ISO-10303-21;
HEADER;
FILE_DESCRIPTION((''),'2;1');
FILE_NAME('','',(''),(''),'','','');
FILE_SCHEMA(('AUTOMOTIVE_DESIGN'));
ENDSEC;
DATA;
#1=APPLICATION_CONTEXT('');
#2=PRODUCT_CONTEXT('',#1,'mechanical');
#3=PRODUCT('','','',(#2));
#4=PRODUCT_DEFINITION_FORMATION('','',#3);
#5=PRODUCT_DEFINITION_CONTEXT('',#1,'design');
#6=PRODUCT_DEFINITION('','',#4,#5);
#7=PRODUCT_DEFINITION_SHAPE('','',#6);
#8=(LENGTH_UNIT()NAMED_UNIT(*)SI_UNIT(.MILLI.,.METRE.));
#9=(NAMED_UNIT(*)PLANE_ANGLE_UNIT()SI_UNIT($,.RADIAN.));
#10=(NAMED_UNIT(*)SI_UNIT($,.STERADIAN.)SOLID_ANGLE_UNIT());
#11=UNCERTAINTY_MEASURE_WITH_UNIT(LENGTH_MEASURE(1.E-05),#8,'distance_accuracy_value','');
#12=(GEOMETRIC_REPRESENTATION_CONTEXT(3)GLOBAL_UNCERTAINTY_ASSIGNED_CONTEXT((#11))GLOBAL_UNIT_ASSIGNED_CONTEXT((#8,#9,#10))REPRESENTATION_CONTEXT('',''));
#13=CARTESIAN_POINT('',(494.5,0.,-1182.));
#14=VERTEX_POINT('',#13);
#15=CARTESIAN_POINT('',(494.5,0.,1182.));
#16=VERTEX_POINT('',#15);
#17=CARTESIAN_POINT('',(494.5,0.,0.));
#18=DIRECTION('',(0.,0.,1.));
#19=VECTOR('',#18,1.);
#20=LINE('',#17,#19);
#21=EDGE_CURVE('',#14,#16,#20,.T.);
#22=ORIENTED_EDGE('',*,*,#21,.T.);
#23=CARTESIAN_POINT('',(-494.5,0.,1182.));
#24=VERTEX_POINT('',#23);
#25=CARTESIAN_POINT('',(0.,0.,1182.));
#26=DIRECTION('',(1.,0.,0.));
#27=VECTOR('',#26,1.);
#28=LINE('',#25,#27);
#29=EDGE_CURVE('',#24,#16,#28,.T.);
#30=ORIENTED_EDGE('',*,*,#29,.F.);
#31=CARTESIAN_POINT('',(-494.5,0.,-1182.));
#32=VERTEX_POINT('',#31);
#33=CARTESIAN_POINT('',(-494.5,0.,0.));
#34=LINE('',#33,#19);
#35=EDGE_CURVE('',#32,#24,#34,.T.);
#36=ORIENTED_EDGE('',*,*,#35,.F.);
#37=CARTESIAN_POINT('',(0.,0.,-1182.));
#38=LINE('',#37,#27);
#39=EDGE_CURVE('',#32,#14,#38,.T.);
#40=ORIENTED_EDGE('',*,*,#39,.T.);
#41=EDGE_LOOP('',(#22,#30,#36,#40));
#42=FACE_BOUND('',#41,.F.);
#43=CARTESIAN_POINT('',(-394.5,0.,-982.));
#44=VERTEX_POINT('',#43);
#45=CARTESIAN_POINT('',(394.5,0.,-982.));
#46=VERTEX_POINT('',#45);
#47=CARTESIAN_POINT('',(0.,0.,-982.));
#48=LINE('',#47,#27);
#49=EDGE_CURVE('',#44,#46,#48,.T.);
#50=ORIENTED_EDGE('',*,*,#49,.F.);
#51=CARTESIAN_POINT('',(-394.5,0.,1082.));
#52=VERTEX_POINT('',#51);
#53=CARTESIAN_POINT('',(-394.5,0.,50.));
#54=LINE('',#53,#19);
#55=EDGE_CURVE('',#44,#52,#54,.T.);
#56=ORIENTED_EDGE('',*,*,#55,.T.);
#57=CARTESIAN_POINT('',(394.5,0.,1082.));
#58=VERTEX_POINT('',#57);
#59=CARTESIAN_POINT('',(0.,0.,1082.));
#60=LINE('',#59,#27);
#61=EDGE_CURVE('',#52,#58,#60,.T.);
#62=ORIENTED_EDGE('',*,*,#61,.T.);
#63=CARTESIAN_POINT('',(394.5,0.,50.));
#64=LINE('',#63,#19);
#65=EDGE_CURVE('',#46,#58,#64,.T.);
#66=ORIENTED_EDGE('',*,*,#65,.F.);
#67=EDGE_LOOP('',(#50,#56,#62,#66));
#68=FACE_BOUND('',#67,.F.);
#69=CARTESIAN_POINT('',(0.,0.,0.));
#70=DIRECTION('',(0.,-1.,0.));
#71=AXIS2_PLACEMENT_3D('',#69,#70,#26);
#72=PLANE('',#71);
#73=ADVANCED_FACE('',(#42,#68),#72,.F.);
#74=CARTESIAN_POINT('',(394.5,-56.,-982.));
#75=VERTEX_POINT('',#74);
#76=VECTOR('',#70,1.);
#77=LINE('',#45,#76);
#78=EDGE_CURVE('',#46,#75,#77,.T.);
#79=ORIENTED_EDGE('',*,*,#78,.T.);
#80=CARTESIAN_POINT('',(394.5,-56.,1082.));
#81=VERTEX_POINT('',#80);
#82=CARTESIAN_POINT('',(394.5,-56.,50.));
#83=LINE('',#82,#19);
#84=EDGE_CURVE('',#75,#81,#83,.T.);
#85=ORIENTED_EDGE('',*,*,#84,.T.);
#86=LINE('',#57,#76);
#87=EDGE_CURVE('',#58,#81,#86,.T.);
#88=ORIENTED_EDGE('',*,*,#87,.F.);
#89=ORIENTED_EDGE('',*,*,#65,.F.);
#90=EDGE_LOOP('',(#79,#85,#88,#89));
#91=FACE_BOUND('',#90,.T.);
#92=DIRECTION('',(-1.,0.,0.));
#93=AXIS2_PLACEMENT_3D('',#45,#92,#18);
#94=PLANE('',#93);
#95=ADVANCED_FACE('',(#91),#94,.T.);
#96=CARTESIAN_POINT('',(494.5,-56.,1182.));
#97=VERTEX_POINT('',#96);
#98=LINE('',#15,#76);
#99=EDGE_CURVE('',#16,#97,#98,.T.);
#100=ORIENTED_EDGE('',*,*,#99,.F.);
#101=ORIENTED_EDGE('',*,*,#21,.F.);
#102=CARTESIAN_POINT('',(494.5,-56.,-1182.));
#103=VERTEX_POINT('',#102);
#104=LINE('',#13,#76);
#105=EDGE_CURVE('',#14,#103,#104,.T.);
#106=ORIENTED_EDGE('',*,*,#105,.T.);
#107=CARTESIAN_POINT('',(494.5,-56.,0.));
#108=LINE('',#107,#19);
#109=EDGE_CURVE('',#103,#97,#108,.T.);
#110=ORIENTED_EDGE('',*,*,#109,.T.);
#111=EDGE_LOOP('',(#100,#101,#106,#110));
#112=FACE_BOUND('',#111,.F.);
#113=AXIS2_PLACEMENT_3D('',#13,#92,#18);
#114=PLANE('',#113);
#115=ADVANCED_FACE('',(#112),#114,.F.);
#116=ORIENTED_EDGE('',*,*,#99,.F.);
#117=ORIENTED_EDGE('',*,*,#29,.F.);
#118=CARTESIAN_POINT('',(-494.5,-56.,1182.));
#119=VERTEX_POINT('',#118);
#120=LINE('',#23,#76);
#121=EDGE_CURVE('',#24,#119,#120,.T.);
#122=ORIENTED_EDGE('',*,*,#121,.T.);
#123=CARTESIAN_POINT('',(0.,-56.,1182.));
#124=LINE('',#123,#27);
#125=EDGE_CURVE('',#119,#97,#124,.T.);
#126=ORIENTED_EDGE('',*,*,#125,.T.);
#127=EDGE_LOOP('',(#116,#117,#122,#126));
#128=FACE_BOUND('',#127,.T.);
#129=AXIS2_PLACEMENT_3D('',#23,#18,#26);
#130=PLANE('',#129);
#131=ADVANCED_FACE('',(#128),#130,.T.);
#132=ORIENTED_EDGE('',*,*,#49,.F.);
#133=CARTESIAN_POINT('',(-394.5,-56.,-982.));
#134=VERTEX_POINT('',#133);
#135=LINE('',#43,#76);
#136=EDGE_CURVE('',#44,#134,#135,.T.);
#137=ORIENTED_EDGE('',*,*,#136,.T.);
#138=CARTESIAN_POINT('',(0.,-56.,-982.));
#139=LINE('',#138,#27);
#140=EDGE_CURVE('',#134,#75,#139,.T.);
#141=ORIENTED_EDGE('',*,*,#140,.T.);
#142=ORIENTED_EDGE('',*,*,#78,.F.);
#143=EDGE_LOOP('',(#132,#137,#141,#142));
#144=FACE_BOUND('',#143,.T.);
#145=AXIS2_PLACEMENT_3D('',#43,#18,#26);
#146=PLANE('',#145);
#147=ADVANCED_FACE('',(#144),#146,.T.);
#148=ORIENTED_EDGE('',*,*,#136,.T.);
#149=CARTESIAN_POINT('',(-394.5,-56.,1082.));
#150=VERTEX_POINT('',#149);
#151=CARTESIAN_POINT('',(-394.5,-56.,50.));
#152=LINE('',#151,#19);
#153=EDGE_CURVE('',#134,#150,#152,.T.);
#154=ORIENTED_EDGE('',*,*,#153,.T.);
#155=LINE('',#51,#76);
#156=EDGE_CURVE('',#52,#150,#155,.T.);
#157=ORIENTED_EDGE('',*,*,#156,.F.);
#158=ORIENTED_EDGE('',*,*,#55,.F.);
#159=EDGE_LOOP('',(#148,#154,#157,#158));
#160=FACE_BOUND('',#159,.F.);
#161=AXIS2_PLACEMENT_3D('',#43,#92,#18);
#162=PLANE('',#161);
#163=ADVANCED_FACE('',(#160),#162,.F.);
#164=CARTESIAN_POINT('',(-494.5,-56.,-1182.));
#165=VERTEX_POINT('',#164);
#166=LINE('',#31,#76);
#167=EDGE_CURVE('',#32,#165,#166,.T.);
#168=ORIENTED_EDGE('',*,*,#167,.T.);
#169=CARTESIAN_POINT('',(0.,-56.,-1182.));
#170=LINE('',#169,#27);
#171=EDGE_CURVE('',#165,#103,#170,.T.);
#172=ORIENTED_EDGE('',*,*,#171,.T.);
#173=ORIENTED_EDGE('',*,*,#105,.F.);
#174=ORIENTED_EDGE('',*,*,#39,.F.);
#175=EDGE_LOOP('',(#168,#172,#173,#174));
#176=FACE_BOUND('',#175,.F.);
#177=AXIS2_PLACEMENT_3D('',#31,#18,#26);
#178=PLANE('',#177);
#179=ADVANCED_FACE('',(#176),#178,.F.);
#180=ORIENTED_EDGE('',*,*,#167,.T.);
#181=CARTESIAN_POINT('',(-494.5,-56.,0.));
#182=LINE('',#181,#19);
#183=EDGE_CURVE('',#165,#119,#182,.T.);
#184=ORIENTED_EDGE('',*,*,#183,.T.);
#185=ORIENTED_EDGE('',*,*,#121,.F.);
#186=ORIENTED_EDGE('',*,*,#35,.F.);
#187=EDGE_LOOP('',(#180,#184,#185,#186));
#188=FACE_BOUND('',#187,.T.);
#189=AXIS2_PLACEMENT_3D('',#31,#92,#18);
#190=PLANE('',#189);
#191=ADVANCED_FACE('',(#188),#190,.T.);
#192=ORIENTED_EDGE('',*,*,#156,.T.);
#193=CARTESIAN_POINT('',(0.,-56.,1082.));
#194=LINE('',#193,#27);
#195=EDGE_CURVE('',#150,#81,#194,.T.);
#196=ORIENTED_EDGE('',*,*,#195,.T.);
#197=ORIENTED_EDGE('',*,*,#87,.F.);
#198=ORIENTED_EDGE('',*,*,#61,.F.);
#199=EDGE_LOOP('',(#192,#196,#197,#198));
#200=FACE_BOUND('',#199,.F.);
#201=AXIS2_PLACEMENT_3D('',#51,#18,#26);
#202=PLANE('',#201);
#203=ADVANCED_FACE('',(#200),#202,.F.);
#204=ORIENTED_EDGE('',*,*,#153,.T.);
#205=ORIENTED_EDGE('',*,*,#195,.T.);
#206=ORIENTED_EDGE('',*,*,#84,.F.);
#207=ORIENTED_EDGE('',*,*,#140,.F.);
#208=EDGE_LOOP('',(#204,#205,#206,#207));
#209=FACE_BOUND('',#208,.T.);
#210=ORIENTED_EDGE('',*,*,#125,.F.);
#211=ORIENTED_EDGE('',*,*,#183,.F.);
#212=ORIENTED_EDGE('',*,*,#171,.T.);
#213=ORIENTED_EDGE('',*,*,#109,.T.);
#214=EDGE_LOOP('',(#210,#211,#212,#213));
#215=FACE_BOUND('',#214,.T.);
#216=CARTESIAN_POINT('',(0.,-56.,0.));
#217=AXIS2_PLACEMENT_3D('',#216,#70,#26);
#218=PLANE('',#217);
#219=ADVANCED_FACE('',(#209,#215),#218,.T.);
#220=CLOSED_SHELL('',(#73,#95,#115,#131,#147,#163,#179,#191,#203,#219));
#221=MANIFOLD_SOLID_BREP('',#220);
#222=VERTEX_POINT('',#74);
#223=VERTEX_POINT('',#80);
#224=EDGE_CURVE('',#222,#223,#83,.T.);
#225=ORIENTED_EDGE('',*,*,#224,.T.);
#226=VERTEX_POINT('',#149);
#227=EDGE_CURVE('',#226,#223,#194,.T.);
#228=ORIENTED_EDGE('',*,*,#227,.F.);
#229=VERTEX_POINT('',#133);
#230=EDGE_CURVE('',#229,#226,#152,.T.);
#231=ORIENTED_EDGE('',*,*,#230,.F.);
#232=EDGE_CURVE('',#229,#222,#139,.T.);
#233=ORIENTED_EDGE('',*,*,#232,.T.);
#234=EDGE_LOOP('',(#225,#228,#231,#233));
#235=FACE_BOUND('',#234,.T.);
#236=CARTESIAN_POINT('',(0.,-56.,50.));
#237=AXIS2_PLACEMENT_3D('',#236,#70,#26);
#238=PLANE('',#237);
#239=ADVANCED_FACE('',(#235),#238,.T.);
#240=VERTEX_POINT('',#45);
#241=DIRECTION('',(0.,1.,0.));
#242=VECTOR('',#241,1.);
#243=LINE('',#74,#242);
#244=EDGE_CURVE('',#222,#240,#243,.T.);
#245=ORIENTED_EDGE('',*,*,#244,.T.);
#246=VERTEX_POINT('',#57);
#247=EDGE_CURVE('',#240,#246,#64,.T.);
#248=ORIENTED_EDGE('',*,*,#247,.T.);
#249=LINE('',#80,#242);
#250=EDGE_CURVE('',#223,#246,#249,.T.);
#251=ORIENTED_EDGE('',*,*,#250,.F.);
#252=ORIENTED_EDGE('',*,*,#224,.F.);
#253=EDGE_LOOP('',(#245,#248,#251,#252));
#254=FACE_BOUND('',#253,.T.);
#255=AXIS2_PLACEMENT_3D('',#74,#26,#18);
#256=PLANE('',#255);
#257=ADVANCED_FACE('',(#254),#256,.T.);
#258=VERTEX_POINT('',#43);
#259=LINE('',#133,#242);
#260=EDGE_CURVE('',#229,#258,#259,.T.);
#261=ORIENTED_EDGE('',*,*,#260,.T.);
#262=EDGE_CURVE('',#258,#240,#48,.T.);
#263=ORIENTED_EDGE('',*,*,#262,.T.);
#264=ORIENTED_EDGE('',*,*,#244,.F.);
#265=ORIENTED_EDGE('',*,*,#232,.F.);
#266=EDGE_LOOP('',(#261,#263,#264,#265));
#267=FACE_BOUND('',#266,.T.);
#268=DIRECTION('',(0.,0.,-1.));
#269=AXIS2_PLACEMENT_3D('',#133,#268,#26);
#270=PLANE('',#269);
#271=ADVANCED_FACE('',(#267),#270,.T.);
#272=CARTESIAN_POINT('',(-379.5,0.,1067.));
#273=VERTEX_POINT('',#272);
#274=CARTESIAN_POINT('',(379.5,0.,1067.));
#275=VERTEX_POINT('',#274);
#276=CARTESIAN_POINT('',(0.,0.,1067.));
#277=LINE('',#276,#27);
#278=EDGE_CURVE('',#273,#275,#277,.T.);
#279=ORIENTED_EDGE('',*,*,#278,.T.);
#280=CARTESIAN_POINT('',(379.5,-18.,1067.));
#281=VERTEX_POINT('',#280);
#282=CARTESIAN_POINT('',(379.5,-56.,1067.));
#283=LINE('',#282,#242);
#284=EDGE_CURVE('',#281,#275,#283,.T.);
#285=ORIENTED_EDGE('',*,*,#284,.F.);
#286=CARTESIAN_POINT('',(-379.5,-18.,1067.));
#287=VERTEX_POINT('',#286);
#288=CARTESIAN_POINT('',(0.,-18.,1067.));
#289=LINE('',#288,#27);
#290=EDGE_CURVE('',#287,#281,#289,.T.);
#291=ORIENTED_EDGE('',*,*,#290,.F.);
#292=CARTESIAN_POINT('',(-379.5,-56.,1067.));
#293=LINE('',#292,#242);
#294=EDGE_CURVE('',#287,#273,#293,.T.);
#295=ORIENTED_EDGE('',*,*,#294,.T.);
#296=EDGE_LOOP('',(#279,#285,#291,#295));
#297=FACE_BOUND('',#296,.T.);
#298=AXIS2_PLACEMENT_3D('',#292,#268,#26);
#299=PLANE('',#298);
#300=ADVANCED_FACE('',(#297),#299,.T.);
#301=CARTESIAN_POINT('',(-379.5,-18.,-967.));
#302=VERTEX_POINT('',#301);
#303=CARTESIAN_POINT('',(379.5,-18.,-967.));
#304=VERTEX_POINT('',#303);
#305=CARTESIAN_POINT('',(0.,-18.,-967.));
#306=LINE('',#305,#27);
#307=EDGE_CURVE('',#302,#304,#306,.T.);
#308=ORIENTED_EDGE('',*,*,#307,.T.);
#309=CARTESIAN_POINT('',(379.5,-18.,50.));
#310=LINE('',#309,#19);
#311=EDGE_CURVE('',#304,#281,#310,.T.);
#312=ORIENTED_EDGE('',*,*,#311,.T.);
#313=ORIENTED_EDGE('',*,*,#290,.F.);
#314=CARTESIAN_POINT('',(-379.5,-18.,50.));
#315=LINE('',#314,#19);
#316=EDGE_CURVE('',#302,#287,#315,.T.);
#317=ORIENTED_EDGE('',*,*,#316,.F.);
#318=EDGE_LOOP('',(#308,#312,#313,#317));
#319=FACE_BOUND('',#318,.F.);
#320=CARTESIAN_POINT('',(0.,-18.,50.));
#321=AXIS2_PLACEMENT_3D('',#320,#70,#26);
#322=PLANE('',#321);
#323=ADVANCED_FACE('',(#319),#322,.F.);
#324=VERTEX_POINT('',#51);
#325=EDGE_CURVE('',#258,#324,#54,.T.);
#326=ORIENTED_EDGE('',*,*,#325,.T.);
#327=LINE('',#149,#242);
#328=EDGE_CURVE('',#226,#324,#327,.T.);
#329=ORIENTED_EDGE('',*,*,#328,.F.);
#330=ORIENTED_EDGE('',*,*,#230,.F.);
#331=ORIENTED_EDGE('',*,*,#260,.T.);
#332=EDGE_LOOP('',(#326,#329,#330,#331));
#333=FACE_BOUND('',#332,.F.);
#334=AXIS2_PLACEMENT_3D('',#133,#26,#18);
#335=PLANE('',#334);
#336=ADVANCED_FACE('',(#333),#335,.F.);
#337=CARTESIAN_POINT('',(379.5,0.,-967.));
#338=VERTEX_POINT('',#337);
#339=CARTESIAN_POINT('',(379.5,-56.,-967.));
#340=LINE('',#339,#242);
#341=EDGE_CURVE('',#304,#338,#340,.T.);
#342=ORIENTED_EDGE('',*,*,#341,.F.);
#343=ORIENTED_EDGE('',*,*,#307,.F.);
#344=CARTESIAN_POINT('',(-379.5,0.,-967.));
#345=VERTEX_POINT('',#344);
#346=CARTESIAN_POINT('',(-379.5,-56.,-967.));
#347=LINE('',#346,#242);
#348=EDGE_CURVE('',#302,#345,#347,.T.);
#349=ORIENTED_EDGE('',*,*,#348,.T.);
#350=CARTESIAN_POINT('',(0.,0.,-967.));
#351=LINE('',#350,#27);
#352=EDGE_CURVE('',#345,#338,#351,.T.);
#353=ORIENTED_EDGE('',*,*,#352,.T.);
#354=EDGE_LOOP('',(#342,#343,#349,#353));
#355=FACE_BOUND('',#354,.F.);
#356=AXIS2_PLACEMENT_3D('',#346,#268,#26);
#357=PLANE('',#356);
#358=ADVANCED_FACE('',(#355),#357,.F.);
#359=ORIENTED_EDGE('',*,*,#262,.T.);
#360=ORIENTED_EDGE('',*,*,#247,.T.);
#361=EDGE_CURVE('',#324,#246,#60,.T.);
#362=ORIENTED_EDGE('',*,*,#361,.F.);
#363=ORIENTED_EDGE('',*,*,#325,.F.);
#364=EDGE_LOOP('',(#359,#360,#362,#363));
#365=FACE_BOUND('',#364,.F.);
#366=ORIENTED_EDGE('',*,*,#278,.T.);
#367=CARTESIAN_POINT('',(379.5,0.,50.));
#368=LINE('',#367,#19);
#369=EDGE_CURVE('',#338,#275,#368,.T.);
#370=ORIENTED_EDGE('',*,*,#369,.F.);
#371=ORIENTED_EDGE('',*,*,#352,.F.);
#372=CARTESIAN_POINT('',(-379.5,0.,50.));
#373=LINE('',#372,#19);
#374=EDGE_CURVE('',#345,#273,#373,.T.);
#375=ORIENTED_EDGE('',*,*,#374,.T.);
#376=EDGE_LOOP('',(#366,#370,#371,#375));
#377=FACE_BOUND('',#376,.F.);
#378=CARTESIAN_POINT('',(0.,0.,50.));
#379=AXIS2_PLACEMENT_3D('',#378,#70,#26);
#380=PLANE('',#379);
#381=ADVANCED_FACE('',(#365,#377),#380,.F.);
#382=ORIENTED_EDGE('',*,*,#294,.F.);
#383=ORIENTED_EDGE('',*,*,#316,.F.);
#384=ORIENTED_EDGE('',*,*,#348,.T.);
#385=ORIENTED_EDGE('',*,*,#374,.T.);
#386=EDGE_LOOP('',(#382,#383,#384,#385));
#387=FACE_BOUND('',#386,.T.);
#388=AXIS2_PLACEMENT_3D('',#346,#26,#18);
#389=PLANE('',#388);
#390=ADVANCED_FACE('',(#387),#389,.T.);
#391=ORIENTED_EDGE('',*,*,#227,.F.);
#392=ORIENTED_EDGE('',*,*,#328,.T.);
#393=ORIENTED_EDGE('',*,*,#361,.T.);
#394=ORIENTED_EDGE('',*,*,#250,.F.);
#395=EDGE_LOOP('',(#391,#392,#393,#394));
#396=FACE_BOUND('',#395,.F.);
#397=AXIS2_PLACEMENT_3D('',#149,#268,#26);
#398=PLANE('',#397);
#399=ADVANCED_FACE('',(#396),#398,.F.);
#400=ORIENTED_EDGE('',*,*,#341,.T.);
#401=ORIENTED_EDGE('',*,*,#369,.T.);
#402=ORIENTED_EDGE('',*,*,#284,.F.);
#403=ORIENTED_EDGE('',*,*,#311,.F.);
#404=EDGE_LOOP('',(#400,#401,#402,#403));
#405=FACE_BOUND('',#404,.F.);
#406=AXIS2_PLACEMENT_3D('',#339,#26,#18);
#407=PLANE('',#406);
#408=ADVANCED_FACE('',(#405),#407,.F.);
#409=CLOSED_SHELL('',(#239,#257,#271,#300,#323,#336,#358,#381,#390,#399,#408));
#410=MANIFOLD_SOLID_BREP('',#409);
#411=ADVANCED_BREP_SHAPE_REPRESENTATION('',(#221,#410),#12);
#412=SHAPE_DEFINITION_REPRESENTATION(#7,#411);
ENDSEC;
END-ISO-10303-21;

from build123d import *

# Parameters (mm, degrees)
F0_W     = 989
F0_H     = 2364
F0_W_2   = 789
F0_H_2   = 2064
F1_DEPTH = 56
F2_W     = 789
F2_H     = 2064
F2_W_2   = 759
F2_H_2   = 2034
F3_DEPTH = 56
F4_W     = 759
F4_H     = 2034
F5_DEPTH = 38


with BuildPart() as f1:
    # F0 (on Front) → F1 (new body)
    with BuildSketch(Plane.XZ):
        Rectangle(F0_W, F0_H)
        with Locations((0, 50)):
            Rectangle(F0_W_2, F0_H_2, mode=Mode.SUBTRACT)
    extrude(amount=F1_DEPTH)


with BuildPart() as f3:
    # F2 (on face) → F3 (new body)
    with BuildSketch(Plane.XZ.offset(56)):
        with Locations((0, 50)):
            Rectangle(F2_W, F2_H)
        with Locations((0, 50)):
            Rectangle(F2_W_2, F2_H_2, mode=Mode.SUBTRACT)
    extrude(amount=-F3_DEPTH)

    # F4 (on face) → F5 (join)
    with BuildSketch(Plane.XZ.offset(56)):
        with Locations((0, 50)):
            Rectangle(F4_W, F4_H)
    extrude(amount=-F5_DEPTH)


solid = Compound([f1.part, f3.part])
